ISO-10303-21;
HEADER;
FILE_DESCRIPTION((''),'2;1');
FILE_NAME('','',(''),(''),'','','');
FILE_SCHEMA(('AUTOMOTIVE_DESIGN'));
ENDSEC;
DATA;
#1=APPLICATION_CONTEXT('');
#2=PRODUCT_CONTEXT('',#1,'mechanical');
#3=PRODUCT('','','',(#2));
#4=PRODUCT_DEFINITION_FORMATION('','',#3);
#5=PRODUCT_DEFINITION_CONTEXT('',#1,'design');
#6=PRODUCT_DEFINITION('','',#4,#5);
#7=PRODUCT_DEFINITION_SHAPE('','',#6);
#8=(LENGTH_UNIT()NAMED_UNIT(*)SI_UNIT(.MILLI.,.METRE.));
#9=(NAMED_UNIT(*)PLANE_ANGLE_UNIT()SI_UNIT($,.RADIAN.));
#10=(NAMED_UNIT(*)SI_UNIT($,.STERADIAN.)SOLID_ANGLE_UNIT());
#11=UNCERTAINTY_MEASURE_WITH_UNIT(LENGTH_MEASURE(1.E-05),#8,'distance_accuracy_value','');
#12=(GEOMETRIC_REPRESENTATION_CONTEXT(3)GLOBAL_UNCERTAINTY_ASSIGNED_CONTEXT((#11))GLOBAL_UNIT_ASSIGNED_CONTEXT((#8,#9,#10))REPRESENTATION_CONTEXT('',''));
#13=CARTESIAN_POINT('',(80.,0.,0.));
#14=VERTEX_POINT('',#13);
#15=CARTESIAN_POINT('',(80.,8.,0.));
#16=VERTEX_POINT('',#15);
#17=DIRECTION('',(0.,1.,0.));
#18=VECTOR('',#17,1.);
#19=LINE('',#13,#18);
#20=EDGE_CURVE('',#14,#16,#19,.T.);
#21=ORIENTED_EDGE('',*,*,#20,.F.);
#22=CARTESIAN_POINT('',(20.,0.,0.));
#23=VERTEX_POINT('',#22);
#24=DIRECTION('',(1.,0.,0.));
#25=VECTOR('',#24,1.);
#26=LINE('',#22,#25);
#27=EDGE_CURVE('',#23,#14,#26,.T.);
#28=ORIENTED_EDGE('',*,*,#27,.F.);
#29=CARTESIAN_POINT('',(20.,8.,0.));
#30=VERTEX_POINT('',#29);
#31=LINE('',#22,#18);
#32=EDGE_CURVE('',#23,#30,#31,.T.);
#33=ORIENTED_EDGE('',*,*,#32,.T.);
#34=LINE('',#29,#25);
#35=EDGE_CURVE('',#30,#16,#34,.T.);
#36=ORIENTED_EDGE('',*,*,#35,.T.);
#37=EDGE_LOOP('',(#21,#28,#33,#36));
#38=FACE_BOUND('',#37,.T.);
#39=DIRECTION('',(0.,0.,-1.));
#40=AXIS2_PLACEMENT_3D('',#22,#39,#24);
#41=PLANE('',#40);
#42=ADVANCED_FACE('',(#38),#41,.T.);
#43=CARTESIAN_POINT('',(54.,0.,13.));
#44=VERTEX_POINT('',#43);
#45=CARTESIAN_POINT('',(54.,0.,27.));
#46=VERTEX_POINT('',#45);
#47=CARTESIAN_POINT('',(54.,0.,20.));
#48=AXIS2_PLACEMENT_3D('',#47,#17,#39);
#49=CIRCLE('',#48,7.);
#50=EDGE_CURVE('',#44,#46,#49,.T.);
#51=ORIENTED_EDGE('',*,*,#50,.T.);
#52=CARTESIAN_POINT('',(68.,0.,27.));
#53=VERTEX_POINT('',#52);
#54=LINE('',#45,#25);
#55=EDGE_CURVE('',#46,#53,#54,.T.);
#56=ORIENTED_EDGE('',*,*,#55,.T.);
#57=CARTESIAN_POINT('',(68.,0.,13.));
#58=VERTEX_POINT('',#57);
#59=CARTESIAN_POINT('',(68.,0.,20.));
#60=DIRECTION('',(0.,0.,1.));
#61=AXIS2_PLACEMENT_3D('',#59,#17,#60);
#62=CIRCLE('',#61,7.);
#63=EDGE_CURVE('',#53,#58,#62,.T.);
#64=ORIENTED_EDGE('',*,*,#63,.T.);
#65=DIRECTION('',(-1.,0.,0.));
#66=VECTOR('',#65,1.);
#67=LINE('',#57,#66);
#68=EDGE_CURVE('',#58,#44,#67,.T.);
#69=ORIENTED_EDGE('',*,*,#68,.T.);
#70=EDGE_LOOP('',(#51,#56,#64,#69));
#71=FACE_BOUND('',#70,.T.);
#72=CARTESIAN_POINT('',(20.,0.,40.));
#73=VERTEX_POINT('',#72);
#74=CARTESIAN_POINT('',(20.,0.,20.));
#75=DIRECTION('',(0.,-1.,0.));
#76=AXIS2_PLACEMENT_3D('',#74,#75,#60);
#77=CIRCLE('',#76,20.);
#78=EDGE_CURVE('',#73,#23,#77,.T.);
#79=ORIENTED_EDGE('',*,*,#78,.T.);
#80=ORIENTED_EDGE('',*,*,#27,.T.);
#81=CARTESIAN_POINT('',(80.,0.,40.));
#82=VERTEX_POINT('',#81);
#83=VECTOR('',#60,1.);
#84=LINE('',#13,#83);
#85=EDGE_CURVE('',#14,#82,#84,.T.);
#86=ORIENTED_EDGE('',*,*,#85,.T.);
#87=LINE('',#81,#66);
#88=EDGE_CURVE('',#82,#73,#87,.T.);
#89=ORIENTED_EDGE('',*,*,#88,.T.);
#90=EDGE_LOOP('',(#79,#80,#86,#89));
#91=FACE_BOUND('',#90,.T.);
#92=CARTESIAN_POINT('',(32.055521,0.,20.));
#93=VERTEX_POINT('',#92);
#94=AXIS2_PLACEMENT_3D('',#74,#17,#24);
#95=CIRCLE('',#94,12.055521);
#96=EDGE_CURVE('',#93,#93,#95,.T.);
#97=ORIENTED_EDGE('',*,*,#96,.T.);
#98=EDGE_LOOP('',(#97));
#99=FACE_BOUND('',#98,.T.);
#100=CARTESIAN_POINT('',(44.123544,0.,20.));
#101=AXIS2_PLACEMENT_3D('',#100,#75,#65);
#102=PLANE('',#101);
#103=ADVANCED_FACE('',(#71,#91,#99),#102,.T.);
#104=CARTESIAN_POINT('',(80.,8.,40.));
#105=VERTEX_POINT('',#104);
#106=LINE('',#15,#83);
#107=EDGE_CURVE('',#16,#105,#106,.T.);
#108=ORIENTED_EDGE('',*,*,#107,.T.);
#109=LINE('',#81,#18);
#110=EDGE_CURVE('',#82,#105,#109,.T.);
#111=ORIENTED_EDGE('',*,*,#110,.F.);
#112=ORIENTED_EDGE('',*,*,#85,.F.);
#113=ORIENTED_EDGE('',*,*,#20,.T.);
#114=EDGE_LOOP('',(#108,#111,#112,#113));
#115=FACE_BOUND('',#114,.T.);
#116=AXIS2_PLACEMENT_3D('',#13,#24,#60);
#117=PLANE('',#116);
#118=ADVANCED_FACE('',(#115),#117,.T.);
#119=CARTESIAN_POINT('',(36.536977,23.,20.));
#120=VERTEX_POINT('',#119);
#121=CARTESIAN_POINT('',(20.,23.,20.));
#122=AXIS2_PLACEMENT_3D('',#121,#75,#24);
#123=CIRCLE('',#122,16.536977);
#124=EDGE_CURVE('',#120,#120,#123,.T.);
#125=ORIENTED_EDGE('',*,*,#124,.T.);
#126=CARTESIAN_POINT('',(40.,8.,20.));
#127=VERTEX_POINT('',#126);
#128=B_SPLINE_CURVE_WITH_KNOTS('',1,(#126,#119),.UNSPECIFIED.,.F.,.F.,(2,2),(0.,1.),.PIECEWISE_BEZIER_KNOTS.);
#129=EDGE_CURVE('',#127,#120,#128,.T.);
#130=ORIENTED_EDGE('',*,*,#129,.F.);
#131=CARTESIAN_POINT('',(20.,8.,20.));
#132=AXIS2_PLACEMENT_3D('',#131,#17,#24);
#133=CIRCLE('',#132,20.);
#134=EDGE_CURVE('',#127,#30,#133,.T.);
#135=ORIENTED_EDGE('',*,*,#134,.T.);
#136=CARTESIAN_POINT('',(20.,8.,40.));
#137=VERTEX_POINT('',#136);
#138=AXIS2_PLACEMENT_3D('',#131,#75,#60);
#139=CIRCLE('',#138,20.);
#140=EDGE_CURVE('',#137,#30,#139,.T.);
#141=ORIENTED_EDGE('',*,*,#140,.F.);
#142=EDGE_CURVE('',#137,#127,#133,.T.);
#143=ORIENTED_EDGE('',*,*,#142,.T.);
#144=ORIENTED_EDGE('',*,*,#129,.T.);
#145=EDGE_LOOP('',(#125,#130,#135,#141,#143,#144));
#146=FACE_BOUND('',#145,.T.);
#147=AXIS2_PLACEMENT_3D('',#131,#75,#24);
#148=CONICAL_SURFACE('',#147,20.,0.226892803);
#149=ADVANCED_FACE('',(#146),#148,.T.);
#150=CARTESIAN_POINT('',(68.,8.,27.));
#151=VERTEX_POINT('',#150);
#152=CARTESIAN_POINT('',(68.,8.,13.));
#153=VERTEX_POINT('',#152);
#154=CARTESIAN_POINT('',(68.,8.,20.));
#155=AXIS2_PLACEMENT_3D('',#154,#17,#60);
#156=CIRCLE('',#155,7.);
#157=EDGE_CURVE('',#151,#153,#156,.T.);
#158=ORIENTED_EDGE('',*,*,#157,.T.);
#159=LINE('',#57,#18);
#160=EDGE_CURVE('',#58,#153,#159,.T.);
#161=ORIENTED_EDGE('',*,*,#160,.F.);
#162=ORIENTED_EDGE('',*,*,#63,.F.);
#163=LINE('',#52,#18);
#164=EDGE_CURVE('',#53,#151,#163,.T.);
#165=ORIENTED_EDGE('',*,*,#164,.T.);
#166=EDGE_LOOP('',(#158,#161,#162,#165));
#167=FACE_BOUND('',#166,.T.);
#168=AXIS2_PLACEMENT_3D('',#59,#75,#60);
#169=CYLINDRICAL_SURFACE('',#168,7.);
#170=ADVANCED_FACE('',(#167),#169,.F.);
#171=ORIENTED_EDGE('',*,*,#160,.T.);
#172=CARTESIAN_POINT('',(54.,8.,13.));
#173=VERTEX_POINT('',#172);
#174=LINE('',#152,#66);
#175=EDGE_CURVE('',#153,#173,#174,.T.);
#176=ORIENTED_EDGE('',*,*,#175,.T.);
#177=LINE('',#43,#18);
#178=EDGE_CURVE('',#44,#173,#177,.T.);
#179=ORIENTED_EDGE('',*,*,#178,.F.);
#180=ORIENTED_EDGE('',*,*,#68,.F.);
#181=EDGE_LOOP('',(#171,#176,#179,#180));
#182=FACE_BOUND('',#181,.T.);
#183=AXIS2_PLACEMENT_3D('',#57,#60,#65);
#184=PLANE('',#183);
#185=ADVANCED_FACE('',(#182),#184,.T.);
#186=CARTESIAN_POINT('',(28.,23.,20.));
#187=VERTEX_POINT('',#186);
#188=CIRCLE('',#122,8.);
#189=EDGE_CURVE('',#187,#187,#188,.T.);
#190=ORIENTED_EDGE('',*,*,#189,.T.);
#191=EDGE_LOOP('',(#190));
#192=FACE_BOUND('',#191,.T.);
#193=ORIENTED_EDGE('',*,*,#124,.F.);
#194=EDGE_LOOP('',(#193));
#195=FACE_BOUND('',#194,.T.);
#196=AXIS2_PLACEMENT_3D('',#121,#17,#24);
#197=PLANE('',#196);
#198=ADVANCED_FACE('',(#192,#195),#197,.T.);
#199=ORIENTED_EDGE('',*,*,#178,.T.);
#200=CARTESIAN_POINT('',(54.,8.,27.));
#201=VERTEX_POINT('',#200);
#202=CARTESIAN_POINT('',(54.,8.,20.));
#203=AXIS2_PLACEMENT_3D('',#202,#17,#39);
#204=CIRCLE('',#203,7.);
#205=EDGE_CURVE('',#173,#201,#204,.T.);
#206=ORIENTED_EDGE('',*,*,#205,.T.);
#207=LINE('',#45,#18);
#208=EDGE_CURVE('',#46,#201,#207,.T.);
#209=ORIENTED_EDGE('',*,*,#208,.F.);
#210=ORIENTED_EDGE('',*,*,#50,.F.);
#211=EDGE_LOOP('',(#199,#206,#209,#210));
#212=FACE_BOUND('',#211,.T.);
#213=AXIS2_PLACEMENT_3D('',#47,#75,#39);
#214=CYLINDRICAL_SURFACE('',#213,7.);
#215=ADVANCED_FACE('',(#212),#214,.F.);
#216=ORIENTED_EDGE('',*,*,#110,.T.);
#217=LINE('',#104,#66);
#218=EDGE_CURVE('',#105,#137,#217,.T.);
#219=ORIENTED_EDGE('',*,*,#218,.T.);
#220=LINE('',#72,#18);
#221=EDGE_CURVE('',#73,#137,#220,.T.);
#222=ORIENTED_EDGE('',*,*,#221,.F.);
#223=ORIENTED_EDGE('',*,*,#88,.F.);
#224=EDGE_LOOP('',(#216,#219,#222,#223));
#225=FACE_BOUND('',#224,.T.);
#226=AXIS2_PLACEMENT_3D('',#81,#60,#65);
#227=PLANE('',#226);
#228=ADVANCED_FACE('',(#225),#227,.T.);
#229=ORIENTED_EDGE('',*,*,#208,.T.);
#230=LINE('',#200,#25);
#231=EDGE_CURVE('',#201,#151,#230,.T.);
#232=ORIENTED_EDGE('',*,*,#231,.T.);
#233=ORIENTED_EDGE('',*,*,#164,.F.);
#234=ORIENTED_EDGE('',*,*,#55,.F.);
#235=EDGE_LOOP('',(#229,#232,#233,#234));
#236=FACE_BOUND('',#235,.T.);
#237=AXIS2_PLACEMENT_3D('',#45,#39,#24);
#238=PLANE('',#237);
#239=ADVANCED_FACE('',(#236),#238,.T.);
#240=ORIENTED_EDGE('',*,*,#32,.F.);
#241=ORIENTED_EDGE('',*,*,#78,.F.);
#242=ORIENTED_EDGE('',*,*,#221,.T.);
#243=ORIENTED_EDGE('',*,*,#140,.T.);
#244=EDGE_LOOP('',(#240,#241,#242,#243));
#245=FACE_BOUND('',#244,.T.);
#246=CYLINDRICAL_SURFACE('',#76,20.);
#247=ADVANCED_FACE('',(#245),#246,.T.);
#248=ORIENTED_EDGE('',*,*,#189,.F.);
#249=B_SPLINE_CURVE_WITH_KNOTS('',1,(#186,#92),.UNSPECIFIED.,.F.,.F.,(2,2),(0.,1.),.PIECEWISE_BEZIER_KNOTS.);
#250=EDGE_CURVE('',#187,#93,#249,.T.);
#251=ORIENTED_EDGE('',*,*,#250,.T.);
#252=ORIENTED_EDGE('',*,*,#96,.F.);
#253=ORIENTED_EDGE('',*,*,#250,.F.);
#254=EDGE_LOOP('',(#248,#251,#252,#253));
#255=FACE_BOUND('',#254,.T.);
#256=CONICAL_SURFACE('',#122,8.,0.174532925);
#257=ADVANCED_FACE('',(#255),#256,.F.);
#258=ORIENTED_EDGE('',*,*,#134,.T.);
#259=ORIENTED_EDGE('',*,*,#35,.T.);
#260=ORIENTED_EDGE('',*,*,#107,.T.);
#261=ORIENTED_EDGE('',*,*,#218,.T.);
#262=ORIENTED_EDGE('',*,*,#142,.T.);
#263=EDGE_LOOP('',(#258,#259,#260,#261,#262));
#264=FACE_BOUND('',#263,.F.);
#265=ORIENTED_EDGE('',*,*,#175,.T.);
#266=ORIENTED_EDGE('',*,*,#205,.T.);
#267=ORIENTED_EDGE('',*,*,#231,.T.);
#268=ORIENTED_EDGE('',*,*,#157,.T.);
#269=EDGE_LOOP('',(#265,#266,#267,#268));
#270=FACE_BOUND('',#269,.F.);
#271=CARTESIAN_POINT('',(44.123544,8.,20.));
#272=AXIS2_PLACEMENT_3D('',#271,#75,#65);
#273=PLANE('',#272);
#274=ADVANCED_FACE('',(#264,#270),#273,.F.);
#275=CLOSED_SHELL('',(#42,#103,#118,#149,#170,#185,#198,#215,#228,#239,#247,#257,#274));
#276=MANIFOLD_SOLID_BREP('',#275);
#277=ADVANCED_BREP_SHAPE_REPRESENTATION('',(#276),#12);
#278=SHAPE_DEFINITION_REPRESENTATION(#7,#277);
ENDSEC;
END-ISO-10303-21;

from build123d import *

# Parameters (mm, degrees)
SALIENTE_EXTRUIR1_DEPTH = 8
CROQUIS2_R              = 20
SALIENTE_EXTRUIR2_DEPTH = 15
SALIENTE_EXTRUIR2_TAPER = 13
CROQUIS4_R              = 8
CORTAR_EXTRUIR3_DEPTH   = 23
CORTAR_EXTRUIR3_TAPER   = -10


with BuildPart() as part:
    # Croquis1 → Saliente-Extruir1 (new body)
    with BuildSketch(Plane(origin=(0, 0, 0), x_dir=(1, 0, 0), z_dir=(0, 1, 0))):
        with BuildLine():
            Line((20, 0), (80, 0))
            Line((80, 0), (80, -40))
            Line((80, -40), (20, -40))
            ThreePointArc((20, -40), (0, -20), (20, 0))
        make_face()
        with BuildLine():
            Line((68, -13), (54, -13))
            ThreePointArc((54, -13), (47, -20), (54, -27))
            Line((54, -27), (68, -27))
            ThreePointArc((68, -27), (75, -20), (68, -13))
        make_face(mode=Mode.SUBTRACT)
    extrude(amount=SALIENTE_EXTRUIR1_DEPTH)

    # Croquis2 → Saliente-Extruir2 (add)
    with BuildSketch(Plane(origin=(0, 8, 0), x_dir=(1, 0, 0), z_dir=(0, 1, 0))):
        with Locations((20, -20)):
            Circle(CROQUIS2_R)
    extrude(amount=SALIENTE_EXTRUIR2_DEPTH, taper=SALIENTE_EXTRUIR2_TAPER)

    # Croquis4 → Cortar-Extruir3 (cut)
    with BuildSketch(Plane(origin=(0, 23, 0), x_dir=(1, 0, 0), z_dir=(0, 1, 0))):
        with Locations((20, -20)):
            Circle(CROQUIS4_R)
    extrude(amount=-CORTAR_EXTRUIR3_DEPTH, taper=CORTAR_EXTRUIR3_TAPER, mode=Mode.SUBTRACT)


solid = part.part
